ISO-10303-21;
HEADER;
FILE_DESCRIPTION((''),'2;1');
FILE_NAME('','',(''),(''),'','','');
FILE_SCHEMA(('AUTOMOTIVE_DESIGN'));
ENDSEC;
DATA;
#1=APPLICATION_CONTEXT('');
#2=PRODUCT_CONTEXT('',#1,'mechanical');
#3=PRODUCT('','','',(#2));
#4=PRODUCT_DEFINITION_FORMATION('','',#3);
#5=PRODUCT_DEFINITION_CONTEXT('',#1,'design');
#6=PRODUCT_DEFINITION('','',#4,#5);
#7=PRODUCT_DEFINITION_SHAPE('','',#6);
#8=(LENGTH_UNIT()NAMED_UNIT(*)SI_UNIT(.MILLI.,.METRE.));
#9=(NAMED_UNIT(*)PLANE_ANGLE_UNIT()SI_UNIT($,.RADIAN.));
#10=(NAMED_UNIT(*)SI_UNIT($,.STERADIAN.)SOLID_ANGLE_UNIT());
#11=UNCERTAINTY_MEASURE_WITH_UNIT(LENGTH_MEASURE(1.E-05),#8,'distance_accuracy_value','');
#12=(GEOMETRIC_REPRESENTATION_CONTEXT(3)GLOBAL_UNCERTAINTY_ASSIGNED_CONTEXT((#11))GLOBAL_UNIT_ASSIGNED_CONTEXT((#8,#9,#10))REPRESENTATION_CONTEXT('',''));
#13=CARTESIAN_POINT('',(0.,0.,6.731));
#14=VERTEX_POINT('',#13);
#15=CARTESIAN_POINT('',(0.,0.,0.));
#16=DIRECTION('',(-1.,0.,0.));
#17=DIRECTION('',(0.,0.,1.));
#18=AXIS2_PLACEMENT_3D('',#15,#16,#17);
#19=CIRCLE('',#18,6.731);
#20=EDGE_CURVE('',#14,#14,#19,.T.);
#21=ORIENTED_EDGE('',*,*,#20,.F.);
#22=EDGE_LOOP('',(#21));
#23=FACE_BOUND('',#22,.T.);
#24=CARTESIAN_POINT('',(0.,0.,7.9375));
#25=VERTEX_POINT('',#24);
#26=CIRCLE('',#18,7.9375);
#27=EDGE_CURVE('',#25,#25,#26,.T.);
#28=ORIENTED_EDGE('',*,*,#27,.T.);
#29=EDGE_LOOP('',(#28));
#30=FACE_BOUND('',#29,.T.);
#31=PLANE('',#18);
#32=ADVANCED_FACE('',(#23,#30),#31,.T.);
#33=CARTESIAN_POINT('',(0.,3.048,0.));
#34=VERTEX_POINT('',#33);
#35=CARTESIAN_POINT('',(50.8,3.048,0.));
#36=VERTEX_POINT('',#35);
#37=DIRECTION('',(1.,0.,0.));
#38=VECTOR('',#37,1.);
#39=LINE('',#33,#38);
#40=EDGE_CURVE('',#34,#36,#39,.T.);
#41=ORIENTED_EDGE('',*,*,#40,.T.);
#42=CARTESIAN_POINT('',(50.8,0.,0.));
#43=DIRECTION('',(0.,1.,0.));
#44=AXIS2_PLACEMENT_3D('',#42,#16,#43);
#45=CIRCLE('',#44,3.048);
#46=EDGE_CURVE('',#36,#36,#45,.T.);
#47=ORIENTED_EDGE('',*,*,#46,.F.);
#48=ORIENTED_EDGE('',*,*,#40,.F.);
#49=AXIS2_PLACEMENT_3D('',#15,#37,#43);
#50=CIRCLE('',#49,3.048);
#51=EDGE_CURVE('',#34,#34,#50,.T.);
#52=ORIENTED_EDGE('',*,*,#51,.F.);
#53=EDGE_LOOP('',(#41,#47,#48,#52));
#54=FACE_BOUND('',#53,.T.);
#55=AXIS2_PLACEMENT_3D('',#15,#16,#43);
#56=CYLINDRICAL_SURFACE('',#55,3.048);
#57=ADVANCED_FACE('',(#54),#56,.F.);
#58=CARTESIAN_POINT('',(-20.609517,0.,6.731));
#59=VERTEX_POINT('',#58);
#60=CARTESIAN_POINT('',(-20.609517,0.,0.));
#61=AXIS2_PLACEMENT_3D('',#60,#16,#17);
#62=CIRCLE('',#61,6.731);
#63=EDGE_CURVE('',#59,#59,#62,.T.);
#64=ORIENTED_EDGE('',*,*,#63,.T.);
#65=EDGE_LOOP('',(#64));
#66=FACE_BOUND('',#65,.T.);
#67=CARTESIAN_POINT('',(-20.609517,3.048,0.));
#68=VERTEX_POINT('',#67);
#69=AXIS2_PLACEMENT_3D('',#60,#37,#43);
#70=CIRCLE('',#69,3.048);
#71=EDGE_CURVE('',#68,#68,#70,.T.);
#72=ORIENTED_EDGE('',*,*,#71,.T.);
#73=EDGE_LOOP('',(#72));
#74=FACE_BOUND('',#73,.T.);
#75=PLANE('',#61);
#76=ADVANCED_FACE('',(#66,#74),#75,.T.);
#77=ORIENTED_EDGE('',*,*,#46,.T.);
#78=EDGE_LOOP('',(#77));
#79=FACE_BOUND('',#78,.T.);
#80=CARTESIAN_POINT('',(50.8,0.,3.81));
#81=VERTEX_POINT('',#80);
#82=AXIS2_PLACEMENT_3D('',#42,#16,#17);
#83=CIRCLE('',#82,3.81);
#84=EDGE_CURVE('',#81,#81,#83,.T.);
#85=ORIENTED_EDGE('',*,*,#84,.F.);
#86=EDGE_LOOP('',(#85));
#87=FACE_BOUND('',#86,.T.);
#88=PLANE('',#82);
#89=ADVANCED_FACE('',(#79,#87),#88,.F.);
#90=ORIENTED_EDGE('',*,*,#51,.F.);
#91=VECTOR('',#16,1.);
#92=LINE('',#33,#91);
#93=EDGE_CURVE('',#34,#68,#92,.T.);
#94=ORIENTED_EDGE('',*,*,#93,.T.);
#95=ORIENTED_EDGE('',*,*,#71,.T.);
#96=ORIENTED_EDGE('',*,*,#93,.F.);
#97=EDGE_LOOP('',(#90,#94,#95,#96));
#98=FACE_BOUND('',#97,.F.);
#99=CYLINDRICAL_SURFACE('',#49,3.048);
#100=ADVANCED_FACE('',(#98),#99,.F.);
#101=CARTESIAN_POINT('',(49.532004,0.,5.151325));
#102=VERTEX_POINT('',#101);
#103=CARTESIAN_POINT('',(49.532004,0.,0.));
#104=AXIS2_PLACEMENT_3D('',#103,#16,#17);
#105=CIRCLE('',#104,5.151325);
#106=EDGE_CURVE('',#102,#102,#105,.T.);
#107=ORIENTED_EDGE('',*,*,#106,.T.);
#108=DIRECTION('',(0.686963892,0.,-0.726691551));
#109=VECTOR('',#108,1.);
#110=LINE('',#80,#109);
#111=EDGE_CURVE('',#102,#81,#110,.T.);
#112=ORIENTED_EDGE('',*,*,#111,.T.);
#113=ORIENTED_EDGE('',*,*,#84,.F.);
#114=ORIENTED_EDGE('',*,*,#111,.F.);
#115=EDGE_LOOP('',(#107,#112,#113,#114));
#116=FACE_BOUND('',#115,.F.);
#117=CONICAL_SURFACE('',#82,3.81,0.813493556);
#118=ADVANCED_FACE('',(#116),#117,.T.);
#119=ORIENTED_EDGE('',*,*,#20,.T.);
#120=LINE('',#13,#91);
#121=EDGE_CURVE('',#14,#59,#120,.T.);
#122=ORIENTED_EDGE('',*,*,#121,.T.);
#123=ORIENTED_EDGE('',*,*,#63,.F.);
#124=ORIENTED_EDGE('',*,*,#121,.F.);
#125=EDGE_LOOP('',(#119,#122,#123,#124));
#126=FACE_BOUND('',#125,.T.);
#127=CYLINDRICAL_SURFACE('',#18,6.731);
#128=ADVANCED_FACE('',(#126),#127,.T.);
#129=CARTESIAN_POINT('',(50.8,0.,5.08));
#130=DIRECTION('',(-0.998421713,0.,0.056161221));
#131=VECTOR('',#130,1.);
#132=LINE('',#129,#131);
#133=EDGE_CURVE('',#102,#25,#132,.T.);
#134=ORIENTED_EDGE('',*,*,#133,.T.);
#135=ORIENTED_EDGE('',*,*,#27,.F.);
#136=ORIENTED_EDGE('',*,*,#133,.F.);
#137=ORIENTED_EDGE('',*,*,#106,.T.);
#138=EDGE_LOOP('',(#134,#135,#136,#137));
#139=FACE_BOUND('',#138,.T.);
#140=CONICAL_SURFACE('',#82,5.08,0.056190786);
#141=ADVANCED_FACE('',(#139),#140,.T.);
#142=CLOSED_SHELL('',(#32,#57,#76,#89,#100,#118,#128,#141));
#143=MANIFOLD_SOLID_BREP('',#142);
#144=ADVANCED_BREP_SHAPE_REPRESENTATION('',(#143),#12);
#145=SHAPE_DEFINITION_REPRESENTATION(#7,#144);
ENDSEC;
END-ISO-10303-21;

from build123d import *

# Parameters (mm, degrees)
F2_R          = 3.048
F3_DEPTH      = 76.2
F3_DEPTH_BACK = 76.2
F4_SIZE       = 1.27


with BuildPart() as f1:
    # F0 (on Front) → F1 (revolve)
    with BuildSketch(Plane.XZ):
        Polygon((50.8, 5.08), (0, 7.9375), (0, 6.731), (-20.609517, 6.731), (-20.609517, 0), (0, 0), (50.8, 0), align=None)
    revolve(axis=Axis((25.4, 0, 0), (-1, 0, 0)))

    # F2 (on Right) → F3 (cut, two sides)
    with BuildSketch(Plane.YZ) as f3_sk:
        Circle(F2_R)
    extrude(amount=F3_DEPTH, mode=Mode.SUBTRACT)
    extrude(f3_sk.sketch, amount=-F3_DEPTH_BACK, mode=Mode.SUBTRACT)

    # F4
    f4_edges = [f1.edges().sort_by_distance(p)[0] for p in [
        (50.8, 0, -5.08),
    ]]
    chamfer(f4_edges, length=F4_SIZE)


solid = f1.part
